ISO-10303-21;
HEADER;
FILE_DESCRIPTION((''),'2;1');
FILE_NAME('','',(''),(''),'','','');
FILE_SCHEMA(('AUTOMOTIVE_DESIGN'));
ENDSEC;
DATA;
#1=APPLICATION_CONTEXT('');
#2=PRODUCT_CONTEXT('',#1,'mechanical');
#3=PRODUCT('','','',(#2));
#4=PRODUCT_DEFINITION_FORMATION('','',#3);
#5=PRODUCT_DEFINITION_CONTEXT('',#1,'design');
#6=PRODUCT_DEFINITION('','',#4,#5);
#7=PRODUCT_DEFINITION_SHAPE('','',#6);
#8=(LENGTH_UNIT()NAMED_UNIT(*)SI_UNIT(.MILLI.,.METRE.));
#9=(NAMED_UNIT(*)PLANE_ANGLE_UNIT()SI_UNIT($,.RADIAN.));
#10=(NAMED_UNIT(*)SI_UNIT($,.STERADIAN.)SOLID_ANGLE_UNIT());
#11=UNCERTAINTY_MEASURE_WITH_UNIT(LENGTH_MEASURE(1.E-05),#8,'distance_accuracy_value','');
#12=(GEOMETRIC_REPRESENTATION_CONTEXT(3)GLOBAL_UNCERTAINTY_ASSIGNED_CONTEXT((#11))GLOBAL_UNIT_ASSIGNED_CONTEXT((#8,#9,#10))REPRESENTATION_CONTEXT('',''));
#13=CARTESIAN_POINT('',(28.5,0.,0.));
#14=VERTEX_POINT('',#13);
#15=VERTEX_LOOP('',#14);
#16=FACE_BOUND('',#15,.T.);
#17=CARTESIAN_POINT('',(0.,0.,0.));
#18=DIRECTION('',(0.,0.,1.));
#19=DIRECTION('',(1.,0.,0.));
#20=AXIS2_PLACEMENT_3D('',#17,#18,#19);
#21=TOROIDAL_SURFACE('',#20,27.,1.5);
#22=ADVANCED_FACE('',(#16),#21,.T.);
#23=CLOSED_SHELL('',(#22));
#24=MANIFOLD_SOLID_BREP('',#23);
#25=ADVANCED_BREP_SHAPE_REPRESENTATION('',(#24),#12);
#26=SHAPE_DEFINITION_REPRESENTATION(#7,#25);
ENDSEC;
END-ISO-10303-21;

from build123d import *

# Parameters (mm, degrees)
SKETCH1_R = 1.5


with BuildPart() as part:
    # Sketch1 → Revolve1 (revolve)
    with BuildSketch(Plane(origin=(0, 0, 0), x_dir=(0, -1, 0), z_dir=(1, 0, 0)), mode=Mode.PRIVATE) as revolve1_sk:
        with Locations((27, 0)):
            Circle(SKETCH1_R)
    revolve(revolve1_sk.sketch.rotate(Axis((0, 0, 1.5), (0, 0, -1)), 270), axis=Axis((0, 0, 1.5), (0, 0, -1)))


solid = part.part
